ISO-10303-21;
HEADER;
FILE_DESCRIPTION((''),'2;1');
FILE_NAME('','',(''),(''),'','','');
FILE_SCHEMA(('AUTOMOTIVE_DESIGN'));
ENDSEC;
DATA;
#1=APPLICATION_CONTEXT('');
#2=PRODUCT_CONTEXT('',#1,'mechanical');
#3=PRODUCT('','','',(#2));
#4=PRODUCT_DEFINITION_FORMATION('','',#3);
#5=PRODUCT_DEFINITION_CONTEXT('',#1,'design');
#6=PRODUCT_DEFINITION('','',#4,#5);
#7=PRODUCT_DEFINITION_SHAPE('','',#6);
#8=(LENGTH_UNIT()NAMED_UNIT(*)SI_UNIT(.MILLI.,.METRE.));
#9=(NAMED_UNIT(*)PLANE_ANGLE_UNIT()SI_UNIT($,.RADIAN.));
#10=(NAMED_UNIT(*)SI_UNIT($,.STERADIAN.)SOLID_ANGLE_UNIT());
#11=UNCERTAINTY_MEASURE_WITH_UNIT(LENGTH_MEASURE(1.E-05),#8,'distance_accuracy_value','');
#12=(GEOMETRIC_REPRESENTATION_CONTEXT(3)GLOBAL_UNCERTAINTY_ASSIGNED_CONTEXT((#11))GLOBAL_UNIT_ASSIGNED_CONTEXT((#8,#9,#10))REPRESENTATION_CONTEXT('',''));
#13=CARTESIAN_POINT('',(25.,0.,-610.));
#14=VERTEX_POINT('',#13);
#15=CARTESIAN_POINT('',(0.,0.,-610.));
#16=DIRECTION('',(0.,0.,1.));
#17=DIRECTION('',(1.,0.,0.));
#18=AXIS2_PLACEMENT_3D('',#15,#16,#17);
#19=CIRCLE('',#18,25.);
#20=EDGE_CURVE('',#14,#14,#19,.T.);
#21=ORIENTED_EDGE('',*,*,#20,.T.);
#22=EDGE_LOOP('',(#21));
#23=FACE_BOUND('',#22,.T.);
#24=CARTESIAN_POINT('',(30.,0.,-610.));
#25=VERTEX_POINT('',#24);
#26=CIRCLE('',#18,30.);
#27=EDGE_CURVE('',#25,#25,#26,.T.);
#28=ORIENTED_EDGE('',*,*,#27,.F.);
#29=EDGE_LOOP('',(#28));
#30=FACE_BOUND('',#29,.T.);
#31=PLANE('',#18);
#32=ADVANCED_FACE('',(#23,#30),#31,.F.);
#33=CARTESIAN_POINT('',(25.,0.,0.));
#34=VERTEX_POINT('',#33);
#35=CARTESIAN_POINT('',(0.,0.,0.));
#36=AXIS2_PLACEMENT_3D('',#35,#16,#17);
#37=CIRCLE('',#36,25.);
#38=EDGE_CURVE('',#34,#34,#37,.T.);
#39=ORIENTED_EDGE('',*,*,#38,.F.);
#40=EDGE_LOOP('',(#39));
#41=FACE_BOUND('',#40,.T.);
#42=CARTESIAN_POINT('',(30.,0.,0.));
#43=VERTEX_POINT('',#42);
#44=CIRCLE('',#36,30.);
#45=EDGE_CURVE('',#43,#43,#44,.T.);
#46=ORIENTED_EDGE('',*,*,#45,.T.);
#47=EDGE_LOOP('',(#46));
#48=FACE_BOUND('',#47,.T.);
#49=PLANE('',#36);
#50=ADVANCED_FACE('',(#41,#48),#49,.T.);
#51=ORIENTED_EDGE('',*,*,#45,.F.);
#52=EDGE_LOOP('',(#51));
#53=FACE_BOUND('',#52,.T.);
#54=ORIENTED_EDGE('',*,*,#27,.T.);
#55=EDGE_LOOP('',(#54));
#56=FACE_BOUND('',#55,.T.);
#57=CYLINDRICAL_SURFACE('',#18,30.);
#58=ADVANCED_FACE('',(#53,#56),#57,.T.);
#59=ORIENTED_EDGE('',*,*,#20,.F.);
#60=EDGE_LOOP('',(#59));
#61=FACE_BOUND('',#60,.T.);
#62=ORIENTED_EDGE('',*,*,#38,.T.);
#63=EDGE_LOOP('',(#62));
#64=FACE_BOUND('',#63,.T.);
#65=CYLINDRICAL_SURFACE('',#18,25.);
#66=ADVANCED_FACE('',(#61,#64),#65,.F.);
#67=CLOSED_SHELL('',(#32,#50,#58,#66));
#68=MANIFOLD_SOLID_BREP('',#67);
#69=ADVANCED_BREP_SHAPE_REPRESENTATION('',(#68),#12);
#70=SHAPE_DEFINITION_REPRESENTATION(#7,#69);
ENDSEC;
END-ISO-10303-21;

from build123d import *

# Parameters (mm, degrees)
SKETCH2_R           = 30
SKETCH2_R_2         = 25
BOSS_EXTRUDE1_DEPTH = 610


with BuildPart() as part:
    # Sketch2 → Boss-Extrude1 (new body)
    with BuildSketch(Plane.XY):
        Circle(SKETCH2_R)
        Circle(SKETCH2_R_2, mode=Mode.SUBTRACT)
    extrude(amount=-BOSS_EXTRUDE1_DEPTH)


solid = part.part
